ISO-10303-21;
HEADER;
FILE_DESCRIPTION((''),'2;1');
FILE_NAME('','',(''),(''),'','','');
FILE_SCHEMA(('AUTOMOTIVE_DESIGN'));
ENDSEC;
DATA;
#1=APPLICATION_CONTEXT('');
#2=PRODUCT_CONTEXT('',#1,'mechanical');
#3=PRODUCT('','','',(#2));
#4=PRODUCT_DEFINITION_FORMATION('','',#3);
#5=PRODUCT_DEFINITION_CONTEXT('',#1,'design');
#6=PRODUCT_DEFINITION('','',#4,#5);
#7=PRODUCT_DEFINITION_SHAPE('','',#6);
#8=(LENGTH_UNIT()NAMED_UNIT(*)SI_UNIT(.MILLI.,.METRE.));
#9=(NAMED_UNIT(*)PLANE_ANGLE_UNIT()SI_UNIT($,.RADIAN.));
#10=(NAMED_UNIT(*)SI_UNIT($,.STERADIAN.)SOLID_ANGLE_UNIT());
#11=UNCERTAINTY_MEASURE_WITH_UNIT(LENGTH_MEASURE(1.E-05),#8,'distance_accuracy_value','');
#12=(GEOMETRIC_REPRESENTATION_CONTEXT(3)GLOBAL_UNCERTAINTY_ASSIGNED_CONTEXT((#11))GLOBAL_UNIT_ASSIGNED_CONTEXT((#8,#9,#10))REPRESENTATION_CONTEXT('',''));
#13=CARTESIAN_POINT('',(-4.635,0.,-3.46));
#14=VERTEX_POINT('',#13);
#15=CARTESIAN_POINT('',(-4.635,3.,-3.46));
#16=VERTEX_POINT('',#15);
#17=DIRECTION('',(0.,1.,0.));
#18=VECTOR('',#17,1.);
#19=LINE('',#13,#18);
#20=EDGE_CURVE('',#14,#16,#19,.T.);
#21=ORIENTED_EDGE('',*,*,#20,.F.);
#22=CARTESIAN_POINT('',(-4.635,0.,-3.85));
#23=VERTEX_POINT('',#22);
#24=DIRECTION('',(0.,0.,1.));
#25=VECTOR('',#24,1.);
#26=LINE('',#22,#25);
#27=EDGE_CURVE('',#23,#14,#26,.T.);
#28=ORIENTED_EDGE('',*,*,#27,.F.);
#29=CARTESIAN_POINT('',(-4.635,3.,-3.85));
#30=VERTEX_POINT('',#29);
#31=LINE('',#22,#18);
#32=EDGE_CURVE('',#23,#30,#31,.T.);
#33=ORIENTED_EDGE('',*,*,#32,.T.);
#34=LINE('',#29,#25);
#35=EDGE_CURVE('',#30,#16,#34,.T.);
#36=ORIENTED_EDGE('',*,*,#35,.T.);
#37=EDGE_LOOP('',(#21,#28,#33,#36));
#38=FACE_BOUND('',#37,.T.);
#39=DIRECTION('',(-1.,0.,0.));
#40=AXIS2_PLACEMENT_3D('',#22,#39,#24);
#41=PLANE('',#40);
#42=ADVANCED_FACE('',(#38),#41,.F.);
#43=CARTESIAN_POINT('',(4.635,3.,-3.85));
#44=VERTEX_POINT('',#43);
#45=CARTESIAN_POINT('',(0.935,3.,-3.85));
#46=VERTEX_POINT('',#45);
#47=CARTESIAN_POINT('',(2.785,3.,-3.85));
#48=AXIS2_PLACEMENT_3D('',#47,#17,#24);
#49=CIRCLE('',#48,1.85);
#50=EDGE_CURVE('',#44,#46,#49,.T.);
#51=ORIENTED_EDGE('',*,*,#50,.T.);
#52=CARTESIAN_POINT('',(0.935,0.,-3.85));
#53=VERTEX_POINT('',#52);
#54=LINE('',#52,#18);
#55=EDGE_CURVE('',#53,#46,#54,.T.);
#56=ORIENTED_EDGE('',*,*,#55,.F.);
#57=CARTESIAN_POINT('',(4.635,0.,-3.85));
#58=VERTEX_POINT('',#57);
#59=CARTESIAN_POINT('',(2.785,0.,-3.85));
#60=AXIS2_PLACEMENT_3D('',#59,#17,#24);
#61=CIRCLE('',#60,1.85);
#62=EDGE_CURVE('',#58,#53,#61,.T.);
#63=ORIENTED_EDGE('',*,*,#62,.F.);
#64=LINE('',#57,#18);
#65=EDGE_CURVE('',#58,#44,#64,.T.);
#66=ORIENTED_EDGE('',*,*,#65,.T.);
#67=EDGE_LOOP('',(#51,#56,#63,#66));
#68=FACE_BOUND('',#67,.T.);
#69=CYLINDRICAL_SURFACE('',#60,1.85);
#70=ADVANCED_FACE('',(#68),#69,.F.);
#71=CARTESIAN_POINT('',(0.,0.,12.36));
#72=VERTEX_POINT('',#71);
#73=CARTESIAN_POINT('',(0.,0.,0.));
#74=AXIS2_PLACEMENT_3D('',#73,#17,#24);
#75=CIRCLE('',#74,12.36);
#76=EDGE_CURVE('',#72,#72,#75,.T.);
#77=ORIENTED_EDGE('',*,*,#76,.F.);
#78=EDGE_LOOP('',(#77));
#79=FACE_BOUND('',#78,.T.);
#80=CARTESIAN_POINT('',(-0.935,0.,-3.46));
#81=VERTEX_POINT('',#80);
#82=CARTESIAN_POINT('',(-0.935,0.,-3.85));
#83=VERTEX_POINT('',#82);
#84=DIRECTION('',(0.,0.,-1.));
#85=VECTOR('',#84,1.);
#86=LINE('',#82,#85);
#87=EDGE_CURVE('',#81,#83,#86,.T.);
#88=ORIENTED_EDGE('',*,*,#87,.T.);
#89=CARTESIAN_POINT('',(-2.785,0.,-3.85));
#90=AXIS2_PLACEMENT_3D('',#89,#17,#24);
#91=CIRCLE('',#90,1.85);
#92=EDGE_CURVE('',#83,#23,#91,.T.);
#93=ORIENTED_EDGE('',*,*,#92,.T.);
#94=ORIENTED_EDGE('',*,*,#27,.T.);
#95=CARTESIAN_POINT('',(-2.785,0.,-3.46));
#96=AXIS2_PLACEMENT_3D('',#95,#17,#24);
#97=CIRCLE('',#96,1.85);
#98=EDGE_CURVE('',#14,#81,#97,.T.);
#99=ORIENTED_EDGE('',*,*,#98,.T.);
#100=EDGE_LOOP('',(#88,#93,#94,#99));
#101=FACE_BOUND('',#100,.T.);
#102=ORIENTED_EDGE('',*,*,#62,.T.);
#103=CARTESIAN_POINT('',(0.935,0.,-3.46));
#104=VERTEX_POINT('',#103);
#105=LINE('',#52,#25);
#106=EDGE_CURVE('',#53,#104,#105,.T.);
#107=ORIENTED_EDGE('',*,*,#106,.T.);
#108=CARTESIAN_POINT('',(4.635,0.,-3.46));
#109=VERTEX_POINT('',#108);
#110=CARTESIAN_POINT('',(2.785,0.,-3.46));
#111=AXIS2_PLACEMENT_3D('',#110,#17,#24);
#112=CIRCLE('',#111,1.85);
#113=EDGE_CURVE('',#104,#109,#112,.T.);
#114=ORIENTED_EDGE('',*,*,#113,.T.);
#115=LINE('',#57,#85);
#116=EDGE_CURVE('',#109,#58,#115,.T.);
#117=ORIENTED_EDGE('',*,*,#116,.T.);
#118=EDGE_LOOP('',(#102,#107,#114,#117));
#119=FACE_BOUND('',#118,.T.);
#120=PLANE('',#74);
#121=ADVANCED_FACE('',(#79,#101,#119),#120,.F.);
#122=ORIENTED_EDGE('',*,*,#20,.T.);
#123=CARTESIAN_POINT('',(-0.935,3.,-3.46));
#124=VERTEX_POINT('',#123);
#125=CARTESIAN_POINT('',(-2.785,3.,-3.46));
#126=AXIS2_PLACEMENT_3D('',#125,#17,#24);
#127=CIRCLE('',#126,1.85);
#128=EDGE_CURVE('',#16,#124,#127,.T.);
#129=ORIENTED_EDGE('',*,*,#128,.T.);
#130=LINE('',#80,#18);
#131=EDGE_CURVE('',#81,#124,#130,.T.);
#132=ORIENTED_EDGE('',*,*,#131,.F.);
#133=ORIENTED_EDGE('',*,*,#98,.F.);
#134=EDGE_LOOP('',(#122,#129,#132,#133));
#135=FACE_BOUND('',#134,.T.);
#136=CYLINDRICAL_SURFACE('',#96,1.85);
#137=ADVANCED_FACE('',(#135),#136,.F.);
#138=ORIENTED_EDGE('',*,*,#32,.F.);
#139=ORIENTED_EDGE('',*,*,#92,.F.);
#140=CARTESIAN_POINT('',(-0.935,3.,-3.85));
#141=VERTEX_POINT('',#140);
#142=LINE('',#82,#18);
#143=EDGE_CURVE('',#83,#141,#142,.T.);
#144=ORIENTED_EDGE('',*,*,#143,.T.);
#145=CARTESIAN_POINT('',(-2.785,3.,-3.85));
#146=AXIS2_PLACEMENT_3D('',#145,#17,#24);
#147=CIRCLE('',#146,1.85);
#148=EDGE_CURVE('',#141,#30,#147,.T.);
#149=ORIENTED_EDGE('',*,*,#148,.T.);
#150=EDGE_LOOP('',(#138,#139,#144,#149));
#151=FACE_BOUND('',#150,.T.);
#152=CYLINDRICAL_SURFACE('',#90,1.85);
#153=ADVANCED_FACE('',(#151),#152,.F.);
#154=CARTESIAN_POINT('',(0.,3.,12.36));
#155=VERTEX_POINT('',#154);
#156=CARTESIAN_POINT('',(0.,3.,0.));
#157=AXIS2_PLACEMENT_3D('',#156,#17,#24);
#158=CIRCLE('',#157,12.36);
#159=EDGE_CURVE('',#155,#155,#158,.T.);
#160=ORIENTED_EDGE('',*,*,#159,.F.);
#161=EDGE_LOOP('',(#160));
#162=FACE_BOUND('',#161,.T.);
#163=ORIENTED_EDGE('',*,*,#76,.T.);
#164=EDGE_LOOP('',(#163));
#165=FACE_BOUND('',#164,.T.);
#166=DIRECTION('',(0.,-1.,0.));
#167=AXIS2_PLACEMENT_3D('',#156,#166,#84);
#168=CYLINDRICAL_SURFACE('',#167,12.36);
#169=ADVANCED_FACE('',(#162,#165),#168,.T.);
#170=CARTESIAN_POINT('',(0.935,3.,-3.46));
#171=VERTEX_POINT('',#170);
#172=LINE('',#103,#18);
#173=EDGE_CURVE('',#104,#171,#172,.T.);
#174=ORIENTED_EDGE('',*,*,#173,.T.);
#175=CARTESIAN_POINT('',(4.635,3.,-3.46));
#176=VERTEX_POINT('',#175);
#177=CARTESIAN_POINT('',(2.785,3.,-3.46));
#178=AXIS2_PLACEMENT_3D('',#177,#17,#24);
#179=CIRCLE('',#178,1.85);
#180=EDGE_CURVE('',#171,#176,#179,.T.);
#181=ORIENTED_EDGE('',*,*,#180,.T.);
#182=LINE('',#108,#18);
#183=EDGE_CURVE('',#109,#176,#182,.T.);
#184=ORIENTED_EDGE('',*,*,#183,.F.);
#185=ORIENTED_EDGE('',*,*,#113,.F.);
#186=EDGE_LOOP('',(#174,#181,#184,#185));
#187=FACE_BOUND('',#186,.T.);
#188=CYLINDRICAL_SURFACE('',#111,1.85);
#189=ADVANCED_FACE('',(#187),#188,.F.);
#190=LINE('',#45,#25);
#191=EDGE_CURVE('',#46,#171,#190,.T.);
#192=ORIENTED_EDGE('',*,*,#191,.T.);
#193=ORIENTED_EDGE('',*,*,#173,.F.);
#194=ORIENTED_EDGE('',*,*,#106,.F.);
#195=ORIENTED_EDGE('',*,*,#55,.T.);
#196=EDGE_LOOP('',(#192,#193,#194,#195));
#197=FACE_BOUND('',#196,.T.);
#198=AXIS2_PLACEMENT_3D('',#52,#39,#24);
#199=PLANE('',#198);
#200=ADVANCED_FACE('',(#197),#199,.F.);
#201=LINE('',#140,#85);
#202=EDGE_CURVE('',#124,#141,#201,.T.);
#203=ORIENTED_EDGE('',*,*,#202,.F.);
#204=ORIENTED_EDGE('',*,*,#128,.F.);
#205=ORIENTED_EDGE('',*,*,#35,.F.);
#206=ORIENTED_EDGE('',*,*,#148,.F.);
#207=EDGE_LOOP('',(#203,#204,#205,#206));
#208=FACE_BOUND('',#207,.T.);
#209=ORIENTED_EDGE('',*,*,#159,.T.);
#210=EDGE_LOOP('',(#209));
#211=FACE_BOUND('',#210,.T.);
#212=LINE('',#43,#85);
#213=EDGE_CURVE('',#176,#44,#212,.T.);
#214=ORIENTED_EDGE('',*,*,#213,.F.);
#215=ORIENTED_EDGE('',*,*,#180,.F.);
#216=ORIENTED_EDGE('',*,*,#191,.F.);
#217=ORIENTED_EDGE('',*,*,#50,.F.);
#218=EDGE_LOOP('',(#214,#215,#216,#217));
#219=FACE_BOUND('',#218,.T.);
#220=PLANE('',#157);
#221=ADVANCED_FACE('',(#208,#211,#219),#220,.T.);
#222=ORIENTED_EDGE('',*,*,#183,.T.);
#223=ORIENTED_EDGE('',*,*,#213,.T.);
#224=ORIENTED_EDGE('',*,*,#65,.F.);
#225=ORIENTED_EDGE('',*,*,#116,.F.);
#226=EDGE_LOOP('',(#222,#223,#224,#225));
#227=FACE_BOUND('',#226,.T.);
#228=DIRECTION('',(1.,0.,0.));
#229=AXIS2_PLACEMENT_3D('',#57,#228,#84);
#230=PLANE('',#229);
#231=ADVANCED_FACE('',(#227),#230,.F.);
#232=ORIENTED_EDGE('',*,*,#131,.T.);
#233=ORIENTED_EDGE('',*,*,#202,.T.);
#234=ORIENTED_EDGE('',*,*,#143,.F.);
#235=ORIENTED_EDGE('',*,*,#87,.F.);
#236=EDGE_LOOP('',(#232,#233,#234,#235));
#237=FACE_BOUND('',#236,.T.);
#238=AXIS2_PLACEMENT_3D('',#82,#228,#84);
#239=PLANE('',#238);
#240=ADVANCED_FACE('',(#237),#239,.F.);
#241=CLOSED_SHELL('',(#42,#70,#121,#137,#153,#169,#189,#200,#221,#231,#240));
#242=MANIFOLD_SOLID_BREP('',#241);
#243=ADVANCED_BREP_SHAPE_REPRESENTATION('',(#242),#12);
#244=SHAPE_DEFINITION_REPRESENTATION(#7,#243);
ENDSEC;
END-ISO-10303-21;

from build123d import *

# Parameters (mm, degrees)
SKETCH1_R           = 12.36
BOSS_EXTRUDE1_DEPTH = 3
CUT_EXTRUDE1_DEPTH  = 18.735253029


with BuildPart() as part:
    # Sketch1 → Boss-Extrude1 (new body)
    with BuildSketch(Plane(origin=(0, 0, 0), x_dir=(1, 0, 0), z_dir=(0, 1, 0))):
        with Locations(Location((0, 0, 0), (0, 0, 270))):
            Circle(SKETCH1_R)
    extrude(amount=BOSS_EXTRUDE1_DEPTH)

    # Sketch2 → Cut-Extrude1 (cut, through all)
    with BuildSketch(Plane(origin=(0, 3, 0), x_dir=(1, 0, 0), z_dir=(0, 1, 0))):
        with BuildLine():
            Line((4.635, 3.85), (4.635, 3.46))
            ThreePointArc((4.635, 3.46), (2.785, 1.61), (0.935, 3.46))
            Line((0.935, 3.46), (0.935, 3.85))
            ThreePointArc((0.935, 3.85), (2.785, 5.7), (4.635, 3.85))
        make_face()
        with BuildLine():
            Line((-0.935, 3.85), (-0.935, 3.46))
            ThreePointArc((-0.935, 3.46), (-2.785, 1.61), (-4.635, 3.46))
            Line((-4.635, 3.46), (-4.635, 3.85))
            ThreePointArc((-4.635, 3.85), (-2.785, 5.7), (-0.935, 3.85))
        make_face()
    extrude(amount=-CUT_EXTRUDE1_DEPTH, mode=Mode.SUBTRACT)


solid = part.part
